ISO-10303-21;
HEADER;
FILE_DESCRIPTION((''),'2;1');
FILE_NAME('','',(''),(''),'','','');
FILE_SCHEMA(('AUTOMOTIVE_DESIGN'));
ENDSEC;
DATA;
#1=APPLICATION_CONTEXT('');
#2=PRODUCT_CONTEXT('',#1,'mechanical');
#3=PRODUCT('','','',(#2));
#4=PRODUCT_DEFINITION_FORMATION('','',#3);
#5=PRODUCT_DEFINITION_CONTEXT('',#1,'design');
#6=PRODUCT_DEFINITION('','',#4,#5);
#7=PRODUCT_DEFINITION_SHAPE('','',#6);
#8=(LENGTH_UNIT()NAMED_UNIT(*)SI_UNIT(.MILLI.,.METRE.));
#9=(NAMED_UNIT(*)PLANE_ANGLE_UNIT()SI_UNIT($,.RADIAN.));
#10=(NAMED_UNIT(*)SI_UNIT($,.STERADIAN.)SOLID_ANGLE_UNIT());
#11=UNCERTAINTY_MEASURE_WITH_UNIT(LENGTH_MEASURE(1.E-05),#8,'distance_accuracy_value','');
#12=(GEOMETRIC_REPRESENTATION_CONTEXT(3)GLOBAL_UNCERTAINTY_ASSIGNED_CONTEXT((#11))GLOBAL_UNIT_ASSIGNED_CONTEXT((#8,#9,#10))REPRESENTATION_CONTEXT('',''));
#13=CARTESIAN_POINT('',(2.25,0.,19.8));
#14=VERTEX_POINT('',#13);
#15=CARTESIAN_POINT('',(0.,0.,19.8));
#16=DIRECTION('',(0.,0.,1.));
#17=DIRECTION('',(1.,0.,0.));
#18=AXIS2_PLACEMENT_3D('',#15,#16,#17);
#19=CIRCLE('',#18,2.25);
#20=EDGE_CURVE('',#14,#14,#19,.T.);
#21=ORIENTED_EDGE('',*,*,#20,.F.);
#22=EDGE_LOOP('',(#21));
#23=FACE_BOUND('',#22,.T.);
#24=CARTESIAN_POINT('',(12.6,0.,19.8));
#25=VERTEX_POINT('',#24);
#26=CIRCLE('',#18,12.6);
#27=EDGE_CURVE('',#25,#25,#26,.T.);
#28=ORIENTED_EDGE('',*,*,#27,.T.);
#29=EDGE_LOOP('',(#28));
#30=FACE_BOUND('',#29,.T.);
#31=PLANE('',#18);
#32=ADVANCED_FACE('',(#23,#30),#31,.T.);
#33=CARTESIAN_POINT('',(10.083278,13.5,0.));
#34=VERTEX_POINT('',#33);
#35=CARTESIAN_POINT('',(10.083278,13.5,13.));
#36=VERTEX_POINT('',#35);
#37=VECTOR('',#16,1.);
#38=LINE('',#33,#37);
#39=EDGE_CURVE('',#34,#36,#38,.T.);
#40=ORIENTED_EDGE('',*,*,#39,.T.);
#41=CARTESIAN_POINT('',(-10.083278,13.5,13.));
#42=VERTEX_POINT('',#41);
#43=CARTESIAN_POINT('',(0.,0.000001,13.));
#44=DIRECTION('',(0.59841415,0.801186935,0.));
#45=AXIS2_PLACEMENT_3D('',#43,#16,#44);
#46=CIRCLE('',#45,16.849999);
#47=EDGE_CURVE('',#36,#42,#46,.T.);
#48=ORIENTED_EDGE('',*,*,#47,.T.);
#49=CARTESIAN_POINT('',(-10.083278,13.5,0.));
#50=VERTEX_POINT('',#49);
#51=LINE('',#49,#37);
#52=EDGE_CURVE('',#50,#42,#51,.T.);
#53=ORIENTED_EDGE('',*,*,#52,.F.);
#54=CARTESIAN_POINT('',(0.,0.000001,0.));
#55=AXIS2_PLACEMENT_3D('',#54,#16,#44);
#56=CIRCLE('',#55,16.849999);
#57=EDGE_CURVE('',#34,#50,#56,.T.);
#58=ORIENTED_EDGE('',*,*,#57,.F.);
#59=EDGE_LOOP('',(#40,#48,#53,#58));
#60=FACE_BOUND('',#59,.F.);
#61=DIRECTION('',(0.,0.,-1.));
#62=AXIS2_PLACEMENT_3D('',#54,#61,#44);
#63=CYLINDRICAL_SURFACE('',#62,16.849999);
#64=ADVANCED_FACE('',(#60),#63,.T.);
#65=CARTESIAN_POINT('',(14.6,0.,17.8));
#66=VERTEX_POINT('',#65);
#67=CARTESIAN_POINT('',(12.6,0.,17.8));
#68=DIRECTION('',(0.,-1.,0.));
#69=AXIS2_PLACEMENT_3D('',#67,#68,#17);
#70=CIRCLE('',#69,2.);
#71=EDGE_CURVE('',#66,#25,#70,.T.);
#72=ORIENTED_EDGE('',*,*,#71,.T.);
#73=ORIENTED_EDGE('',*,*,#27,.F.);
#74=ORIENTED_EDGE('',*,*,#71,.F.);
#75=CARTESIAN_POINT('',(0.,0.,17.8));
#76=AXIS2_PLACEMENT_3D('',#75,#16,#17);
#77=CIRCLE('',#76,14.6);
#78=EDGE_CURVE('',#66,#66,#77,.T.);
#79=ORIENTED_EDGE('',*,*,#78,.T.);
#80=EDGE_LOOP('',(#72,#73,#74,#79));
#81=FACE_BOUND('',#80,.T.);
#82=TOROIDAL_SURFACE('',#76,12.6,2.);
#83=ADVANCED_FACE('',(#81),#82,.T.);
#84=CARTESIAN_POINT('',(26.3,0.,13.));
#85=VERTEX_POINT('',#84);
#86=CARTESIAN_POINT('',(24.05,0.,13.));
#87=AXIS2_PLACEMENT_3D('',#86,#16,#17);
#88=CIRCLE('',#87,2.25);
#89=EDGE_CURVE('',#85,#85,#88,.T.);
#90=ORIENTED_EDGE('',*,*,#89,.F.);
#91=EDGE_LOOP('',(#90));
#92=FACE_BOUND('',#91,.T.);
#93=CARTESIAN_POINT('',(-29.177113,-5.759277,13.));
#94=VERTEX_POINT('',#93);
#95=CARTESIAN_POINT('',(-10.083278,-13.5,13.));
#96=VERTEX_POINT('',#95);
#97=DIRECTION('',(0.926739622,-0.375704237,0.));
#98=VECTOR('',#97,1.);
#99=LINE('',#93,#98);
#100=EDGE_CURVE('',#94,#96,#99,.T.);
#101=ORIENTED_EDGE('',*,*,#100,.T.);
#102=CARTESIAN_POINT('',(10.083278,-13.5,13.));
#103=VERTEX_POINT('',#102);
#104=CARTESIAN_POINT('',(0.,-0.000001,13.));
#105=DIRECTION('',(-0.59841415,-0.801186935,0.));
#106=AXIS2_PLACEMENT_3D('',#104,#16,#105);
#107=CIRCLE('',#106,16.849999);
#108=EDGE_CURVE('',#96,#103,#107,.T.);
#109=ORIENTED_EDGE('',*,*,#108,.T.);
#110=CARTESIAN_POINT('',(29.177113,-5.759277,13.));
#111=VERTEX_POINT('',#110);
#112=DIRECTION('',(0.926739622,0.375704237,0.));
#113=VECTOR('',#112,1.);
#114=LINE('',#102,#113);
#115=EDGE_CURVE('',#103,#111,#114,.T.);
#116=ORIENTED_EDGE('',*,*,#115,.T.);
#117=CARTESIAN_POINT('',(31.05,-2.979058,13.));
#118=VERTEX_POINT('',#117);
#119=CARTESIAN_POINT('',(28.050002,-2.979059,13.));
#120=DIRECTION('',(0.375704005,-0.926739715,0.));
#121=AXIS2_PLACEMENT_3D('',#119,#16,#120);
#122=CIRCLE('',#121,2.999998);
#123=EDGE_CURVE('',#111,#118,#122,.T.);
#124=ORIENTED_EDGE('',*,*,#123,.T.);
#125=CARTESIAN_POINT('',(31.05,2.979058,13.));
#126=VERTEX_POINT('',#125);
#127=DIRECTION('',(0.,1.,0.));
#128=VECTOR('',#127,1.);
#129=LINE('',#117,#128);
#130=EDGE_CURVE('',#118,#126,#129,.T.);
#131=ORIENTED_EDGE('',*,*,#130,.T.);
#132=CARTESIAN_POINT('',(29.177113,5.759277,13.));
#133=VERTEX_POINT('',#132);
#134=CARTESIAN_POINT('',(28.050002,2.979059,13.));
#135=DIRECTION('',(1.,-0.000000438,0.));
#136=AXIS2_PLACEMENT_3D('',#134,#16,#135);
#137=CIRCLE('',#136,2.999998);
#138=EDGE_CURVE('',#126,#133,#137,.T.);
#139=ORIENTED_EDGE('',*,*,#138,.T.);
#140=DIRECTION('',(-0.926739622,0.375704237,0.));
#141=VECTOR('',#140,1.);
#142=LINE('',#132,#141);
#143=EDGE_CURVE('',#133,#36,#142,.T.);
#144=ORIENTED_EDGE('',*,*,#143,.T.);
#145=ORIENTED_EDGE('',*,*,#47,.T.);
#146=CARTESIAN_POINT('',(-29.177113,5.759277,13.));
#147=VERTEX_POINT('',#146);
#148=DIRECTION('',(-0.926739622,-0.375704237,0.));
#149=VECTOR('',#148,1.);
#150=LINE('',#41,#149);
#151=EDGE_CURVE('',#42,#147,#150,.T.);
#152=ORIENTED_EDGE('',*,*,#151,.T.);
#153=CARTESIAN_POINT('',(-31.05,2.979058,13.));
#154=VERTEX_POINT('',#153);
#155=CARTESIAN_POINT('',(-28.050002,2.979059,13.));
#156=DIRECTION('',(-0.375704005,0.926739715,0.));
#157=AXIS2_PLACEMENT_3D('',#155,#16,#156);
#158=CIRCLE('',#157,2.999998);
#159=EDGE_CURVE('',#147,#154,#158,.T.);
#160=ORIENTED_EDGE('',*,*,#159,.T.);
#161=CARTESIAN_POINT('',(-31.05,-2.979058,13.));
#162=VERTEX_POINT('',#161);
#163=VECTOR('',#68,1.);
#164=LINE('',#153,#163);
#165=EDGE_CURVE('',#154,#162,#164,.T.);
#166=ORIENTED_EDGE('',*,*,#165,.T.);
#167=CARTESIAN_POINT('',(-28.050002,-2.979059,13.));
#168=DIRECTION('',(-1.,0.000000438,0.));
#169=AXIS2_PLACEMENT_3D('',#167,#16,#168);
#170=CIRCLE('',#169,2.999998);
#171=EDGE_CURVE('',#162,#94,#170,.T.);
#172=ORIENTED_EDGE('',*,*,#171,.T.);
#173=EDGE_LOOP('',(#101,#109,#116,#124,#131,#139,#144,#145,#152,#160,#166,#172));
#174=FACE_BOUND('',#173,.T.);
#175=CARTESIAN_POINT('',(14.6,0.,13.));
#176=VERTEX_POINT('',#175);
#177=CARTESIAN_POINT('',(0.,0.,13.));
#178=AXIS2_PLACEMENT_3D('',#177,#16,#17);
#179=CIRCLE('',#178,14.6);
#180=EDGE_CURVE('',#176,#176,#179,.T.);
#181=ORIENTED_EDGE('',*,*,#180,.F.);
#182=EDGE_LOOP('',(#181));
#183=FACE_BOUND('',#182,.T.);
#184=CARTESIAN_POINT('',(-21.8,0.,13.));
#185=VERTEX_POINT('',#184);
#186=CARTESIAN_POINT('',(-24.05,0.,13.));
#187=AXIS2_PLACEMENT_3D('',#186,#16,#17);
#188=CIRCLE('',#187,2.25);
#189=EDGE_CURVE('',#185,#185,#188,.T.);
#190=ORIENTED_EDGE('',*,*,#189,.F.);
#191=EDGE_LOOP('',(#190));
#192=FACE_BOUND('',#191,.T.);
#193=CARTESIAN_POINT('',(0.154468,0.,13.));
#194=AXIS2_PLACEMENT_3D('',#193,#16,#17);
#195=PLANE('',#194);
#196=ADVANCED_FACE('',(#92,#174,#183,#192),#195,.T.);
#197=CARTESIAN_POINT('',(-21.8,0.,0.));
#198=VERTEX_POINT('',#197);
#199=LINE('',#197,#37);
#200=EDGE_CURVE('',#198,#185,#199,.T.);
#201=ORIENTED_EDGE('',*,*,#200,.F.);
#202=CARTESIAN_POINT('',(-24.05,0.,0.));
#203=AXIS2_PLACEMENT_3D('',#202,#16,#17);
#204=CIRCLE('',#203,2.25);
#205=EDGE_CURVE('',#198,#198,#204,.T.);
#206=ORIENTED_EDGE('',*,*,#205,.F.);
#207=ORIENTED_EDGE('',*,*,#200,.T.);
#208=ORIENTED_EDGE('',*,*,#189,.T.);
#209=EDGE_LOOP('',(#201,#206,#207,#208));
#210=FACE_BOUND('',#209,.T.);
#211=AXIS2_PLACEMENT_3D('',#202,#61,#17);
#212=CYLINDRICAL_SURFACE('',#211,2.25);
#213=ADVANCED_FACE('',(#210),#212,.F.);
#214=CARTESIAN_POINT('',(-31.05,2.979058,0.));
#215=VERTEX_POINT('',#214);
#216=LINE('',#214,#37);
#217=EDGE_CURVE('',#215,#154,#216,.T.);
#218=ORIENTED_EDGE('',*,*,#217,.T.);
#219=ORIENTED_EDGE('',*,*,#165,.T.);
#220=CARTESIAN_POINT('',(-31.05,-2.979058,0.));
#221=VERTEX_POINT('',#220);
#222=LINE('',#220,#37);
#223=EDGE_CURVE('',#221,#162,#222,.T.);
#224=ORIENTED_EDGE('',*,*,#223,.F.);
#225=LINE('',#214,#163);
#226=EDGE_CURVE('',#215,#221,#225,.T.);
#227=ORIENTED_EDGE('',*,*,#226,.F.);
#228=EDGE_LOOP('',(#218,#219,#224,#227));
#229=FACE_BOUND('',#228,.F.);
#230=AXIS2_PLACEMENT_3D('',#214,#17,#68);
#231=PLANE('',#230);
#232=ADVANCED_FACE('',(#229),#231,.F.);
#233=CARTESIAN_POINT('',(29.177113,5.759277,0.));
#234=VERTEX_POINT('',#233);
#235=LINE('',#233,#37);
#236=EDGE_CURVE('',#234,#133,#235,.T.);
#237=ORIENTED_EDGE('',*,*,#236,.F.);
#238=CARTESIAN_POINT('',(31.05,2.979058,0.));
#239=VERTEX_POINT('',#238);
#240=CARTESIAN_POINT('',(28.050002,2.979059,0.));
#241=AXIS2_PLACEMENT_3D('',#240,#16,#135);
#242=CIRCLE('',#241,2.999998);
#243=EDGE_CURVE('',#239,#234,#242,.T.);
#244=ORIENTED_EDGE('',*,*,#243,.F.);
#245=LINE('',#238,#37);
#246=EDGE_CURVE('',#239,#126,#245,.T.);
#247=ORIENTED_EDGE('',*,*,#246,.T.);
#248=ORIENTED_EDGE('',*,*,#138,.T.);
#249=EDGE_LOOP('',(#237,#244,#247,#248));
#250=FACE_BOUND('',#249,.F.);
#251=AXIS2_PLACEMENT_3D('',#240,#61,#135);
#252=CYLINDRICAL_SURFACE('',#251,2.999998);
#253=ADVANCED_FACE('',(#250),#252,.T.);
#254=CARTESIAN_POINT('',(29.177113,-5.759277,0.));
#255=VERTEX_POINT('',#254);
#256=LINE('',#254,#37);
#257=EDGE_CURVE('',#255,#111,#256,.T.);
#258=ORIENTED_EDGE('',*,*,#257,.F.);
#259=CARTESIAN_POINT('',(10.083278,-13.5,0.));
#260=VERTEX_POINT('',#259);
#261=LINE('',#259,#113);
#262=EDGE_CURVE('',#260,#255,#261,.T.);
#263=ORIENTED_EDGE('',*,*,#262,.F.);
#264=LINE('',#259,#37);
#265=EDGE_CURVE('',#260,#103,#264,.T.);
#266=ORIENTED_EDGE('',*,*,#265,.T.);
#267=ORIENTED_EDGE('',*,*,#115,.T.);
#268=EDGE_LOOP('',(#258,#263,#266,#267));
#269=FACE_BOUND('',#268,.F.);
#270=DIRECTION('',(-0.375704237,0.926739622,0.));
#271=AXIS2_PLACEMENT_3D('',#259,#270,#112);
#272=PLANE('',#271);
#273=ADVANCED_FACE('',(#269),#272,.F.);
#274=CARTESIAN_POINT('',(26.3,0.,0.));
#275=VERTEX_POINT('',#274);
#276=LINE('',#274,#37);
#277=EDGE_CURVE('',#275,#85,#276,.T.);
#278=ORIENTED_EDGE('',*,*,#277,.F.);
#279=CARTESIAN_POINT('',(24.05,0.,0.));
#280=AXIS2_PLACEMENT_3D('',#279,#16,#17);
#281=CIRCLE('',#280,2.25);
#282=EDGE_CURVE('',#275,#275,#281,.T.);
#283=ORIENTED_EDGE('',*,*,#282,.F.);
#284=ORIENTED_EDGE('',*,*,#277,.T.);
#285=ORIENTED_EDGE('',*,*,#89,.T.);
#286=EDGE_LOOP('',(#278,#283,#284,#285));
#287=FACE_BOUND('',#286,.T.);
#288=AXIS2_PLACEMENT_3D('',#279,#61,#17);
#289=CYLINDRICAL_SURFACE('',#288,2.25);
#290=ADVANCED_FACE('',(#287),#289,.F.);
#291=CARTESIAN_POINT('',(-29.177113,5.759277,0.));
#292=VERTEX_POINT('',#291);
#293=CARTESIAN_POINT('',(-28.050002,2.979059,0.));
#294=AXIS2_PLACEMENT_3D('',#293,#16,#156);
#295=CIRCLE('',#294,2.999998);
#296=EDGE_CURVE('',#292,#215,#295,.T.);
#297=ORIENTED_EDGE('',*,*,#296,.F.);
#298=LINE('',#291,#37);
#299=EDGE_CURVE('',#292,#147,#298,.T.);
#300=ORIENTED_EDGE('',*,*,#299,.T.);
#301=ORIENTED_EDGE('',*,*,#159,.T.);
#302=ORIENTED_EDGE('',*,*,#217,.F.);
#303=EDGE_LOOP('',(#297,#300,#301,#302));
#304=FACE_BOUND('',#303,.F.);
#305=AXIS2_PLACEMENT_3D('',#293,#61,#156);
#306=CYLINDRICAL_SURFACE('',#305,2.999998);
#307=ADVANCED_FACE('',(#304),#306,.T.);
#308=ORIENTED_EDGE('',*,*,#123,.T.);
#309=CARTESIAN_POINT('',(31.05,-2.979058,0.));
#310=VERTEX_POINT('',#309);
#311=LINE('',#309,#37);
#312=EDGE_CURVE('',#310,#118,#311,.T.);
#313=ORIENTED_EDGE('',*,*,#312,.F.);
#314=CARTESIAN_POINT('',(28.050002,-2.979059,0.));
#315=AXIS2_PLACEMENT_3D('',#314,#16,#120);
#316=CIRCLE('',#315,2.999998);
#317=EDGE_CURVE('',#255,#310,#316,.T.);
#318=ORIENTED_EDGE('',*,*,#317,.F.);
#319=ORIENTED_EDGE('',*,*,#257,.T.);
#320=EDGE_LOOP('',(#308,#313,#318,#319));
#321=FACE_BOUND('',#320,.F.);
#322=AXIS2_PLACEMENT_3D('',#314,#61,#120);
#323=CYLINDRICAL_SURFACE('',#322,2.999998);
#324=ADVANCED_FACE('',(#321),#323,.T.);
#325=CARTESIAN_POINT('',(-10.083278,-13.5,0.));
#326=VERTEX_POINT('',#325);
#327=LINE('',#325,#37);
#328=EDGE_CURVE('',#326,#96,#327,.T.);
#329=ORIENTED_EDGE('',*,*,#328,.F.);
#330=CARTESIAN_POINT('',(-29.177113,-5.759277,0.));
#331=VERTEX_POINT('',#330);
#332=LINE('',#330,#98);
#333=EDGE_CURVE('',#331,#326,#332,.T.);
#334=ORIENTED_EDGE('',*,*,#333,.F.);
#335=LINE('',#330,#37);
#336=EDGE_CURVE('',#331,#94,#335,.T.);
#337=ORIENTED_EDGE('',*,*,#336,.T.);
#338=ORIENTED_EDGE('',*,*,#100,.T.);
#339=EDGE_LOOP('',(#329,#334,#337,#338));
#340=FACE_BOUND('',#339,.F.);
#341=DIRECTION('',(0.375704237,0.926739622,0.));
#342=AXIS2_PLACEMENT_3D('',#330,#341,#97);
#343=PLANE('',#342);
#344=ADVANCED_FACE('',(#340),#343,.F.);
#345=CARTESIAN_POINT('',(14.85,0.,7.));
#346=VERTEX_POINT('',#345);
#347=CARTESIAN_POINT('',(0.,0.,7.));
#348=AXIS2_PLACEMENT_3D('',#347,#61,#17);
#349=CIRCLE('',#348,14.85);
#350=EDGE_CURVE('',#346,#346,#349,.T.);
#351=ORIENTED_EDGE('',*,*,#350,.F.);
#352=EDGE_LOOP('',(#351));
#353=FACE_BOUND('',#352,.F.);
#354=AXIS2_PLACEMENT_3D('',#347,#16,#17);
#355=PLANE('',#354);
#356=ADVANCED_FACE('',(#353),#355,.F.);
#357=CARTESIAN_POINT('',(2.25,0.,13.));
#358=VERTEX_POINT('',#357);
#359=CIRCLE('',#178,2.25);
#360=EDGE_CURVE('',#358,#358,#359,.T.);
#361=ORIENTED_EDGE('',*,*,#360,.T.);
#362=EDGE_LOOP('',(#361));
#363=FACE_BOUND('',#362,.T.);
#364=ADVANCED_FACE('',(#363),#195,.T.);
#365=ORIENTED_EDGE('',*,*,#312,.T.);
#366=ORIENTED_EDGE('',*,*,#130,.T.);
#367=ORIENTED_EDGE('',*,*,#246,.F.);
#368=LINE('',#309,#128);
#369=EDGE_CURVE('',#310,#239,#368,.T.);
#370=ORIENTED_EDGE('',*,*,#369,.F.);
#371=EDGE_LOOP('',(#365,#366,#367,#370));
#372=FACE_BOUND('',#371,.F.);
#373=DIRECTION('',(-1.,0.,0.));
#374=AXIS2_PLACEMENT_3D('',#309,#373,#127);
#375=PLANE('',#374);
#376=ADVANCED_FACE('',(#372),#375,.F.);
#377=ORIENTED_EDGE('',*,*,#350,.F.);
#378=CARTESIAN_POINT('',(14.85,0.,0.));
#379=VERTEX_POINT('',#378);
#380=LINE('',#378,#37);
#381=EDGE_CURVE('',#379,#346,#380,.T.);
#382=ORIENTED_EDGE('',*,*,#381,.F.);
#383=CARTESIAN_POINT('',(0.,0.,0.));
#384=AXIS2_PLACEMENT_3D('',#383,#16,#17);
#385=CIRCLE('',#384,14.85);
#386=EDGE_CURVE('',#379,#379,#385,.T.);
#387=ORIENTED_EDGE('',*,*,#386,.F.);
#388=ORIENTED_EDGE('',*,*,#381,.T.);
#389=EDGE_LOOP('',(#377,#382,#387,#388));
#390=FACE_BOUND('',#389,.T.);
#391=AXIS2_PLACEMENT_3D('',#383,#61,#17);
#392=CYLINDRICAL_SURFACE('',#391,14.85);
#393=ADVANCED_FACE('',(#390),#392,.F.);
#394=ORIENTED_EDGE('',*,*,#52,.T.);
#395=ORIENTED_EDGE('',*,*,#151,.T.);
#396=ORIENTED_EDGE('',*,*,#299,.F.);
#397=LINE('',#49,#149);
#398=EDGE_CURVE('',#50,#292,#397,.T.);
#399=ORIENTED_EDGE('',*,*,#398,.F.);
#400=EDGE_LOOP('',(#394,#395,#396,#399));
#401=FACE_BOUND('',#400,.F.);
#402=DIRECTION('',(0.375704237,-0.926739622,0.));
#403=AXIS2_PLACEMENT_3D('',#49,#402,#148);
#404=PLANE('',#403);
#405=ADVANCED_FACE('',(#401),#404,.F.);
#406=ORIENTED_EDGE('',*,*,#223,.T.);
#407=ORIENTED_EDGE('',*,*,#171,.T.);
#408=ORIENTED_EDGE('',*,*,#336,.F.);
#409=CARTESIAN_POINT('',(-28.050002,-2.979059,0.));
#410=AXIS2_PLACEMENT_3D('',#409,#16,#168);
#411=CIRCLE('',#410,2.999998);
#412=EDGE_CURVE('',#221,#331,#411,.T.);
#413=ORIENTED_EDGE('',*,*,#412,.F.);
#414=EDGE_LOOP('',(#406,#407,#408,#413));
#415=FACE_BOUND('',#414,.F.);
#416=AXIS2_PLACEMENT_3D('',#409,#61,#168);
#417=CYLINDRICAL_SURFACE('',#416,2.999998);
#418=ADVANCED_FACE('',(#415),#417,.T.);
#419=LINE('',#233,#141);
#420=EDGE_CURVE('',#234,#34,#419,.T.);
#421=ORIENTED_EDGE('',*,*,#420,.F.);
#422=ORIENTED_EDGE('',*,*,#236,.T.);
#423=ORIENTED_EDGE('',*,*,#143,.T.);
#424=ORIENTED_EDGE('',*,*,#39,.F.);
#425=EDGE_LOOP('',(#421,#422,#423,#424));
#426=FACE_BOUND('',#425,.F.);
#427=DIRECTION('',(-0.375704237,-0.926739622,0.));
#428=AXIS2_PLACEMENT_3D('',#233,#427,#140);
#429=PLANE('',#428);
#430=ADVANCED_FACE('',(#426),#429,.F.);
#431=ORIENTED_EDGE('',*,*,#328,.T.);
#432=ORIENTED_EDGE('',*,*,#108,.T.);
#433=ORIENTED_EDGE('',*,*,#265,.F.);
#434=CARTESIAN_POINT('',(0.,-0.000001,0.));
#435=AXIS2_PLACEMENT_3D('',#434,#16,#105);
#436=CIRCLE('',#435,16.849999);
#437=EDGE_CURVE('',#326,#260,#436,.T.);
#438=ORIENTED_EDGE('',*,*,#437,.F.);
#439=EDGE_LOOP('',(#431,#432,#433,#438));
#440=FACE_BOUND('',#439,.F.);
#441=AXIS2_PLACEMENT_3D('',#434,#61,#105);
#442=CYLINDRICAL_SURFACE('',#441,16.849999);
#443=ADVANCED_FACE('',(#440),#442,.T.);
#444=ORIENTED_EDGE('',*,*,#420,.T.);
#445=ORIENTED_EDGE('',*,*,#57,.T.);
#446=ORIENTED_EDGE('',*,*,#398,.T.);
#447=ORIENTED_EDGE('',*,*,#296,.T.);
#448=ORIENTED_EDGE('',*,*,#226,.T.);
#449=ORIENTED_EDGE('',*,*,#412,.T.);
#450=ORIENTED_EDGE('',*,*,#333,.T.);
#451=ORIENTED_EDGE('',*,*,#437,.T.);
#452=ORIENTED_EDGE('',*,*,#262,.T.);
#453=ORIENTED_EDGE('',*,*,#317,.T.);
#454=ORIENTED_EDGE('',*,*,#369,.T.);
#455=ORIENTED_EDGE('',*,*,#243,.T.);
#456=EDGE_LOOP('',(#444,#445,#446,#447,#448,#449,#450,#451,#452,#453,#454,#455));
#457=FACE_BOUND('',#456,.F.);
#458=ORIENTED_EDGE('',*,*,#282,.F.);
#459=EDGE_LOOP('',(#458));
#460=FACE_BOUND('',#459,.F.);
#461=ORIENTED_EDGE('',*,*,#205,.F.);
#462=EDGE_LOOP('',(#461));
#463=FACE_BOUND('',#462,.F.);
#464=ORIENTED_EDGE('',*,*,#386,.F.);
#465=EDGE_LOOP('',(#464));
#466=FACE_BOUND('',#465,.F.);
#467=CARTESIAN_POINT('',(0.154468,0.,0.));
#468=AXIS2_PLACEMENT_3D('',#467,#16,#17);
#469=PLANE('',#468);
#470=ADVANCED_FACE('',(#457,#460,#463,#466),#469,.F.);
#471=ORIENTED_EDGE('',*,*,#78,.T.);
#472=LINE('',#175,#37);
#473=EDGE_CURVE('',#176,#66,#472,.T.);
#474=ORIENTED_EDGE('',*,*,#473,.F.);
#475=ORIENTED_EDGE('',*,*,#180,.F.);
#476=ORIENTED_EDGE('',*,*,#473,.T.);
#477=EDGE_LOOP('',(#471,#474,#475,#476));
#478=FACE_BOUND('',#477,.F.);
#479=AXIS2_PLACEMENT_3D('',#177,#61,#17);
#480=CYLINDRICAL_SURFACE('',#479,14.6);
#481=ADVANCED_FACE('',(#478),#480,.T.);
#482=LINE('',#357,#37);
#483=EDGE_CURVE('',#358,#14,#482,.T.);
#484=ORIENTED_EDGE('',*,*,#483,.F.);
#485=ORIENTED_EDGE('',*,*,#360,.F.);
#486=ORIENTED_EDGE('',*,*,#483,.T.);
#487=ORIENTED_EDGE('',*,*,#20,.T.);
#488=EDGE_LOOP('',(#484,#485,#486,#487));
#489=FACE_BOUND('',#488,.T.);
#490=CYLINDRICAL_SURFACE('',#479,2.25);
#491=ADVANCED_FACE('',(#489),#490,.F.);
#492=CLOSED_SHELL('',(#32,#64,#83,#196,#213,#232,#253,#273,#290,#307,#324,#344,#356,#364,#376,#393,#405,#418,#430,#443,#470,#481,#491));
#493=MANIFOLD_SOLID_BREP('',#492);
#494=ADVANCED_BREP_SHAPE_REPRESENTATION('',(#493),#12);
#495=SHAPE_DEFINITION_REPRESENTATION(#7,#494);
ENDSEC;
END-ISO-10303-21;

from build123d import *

# Parameters (mm, degrees)
F0_R     = 14.85
F0_R_2   = 2.25
F1_DEPTH = 13
F2_R     = 15.05
F3_DEPTH = 6
F4_R     = 14.6
F4_R_2   = 2.25
F5_DEPTH = 6.8
F6_R     = 2


with BuildPart() as f1:
    # F0 (on Top) → F1 (new body)
    with BuildSketch(Plane.XY):
        with BuildLine():
            ThreePointArc((10.083278, -13.5), (15.063627, -7.550472), (16.85, 0))
            ThreePointArc((16.85, 0), (15.063627, 7.550472), (10.083278, 13.5))
            ThreePointArc((10.083278, 13.5), (0, 16.85), (-10.083278, 13.5))
            ThreePointArc((-10.083278, 13.5), (-16.85, 0), (-10.083278, -13.5))
            ThreePointArc((-10.083278, -13.5), (0, -16.85), (10.083278, -13.5))
        make_face()
        Circle(F0_R, mode=Mode.SUBTRACT)
        with BuildLine():
            ThreePointArc((10.083278, 13.5), (15.063627, 7.550472), (16.85, 0))
            ThreePointArc((16.85, 0), (15.063627, -7.550472), (10.083278, -13.5))
            Line((10.083278, -13.5), (29.177113, -5.759277))
            ThreePointArc((29.177113, -5.759277), (30.538106, -4.655164), (31.05, -2.979058))
            Line((31.05, -2.979058), (31.05, 0))
            Line((31.05, 0), (31.05, 2.979058))
            ThreePointArc((31.05, 2.979058), (30.538106, 4.655164), (29.177113, 5.759277))
            Line((29.177113, 5.759277), (10.083278, 13.5))
        make_face()
        with Locations((24.05, 0)):
            Circle(F0_R_2, mode=Mode.SUBTRACT)
        with BuildLine():
            ThreePointArc((-10.083278, -13.5), (-16.85, 0), (-10.083278, 13.5))
            Line((-10.083278, 13.5), (-29.177113, 5.759277))
            ThreePointArc((-29.177113, 5.759277), (-30.538106, 4.655164), (-31.05, 2.979058))
            Line((-31.05, 2.979058), (-31.05, 0))
            Line((-31.05, 0), (-31.05, -2.979058))
            ThreePointArc((-31.05, -2.979058), (-30.538106, -4.655164), (-29.177113, -5.759277))
            Line((-29.177113, -5.759277), (-10.083278, -13.5))
        make_face()
        with Locations((-24.05, 0)):
            Circle(F0_R_2, mode=Mode.SUBTRACT)
    extrude(amount=F1_DEPTH)

    # F2 (on face) → F3 (join)
    with BuildSketch(Plane.XY.offset(13)):
        Circle(F2_R)
    extrude(amount=-F3_DEPTH)

    # F4 (on face) → F5 (join)
    with BuildSketch(Plane.XY.offset(13)):
        Circle(F4_R)
        Circle(F4_R_2, mode=Mode.SUBTRACT)
    extrude(amount=F5_DEPTH)

    # F6
    f6_edges = [f1.edges().sort_by_distance(p)[0] for p in [
        (-14.6, 0, 19.8),
    ]]
    fillet(f6_edges, radius=F6_R)


solid = f1.part
